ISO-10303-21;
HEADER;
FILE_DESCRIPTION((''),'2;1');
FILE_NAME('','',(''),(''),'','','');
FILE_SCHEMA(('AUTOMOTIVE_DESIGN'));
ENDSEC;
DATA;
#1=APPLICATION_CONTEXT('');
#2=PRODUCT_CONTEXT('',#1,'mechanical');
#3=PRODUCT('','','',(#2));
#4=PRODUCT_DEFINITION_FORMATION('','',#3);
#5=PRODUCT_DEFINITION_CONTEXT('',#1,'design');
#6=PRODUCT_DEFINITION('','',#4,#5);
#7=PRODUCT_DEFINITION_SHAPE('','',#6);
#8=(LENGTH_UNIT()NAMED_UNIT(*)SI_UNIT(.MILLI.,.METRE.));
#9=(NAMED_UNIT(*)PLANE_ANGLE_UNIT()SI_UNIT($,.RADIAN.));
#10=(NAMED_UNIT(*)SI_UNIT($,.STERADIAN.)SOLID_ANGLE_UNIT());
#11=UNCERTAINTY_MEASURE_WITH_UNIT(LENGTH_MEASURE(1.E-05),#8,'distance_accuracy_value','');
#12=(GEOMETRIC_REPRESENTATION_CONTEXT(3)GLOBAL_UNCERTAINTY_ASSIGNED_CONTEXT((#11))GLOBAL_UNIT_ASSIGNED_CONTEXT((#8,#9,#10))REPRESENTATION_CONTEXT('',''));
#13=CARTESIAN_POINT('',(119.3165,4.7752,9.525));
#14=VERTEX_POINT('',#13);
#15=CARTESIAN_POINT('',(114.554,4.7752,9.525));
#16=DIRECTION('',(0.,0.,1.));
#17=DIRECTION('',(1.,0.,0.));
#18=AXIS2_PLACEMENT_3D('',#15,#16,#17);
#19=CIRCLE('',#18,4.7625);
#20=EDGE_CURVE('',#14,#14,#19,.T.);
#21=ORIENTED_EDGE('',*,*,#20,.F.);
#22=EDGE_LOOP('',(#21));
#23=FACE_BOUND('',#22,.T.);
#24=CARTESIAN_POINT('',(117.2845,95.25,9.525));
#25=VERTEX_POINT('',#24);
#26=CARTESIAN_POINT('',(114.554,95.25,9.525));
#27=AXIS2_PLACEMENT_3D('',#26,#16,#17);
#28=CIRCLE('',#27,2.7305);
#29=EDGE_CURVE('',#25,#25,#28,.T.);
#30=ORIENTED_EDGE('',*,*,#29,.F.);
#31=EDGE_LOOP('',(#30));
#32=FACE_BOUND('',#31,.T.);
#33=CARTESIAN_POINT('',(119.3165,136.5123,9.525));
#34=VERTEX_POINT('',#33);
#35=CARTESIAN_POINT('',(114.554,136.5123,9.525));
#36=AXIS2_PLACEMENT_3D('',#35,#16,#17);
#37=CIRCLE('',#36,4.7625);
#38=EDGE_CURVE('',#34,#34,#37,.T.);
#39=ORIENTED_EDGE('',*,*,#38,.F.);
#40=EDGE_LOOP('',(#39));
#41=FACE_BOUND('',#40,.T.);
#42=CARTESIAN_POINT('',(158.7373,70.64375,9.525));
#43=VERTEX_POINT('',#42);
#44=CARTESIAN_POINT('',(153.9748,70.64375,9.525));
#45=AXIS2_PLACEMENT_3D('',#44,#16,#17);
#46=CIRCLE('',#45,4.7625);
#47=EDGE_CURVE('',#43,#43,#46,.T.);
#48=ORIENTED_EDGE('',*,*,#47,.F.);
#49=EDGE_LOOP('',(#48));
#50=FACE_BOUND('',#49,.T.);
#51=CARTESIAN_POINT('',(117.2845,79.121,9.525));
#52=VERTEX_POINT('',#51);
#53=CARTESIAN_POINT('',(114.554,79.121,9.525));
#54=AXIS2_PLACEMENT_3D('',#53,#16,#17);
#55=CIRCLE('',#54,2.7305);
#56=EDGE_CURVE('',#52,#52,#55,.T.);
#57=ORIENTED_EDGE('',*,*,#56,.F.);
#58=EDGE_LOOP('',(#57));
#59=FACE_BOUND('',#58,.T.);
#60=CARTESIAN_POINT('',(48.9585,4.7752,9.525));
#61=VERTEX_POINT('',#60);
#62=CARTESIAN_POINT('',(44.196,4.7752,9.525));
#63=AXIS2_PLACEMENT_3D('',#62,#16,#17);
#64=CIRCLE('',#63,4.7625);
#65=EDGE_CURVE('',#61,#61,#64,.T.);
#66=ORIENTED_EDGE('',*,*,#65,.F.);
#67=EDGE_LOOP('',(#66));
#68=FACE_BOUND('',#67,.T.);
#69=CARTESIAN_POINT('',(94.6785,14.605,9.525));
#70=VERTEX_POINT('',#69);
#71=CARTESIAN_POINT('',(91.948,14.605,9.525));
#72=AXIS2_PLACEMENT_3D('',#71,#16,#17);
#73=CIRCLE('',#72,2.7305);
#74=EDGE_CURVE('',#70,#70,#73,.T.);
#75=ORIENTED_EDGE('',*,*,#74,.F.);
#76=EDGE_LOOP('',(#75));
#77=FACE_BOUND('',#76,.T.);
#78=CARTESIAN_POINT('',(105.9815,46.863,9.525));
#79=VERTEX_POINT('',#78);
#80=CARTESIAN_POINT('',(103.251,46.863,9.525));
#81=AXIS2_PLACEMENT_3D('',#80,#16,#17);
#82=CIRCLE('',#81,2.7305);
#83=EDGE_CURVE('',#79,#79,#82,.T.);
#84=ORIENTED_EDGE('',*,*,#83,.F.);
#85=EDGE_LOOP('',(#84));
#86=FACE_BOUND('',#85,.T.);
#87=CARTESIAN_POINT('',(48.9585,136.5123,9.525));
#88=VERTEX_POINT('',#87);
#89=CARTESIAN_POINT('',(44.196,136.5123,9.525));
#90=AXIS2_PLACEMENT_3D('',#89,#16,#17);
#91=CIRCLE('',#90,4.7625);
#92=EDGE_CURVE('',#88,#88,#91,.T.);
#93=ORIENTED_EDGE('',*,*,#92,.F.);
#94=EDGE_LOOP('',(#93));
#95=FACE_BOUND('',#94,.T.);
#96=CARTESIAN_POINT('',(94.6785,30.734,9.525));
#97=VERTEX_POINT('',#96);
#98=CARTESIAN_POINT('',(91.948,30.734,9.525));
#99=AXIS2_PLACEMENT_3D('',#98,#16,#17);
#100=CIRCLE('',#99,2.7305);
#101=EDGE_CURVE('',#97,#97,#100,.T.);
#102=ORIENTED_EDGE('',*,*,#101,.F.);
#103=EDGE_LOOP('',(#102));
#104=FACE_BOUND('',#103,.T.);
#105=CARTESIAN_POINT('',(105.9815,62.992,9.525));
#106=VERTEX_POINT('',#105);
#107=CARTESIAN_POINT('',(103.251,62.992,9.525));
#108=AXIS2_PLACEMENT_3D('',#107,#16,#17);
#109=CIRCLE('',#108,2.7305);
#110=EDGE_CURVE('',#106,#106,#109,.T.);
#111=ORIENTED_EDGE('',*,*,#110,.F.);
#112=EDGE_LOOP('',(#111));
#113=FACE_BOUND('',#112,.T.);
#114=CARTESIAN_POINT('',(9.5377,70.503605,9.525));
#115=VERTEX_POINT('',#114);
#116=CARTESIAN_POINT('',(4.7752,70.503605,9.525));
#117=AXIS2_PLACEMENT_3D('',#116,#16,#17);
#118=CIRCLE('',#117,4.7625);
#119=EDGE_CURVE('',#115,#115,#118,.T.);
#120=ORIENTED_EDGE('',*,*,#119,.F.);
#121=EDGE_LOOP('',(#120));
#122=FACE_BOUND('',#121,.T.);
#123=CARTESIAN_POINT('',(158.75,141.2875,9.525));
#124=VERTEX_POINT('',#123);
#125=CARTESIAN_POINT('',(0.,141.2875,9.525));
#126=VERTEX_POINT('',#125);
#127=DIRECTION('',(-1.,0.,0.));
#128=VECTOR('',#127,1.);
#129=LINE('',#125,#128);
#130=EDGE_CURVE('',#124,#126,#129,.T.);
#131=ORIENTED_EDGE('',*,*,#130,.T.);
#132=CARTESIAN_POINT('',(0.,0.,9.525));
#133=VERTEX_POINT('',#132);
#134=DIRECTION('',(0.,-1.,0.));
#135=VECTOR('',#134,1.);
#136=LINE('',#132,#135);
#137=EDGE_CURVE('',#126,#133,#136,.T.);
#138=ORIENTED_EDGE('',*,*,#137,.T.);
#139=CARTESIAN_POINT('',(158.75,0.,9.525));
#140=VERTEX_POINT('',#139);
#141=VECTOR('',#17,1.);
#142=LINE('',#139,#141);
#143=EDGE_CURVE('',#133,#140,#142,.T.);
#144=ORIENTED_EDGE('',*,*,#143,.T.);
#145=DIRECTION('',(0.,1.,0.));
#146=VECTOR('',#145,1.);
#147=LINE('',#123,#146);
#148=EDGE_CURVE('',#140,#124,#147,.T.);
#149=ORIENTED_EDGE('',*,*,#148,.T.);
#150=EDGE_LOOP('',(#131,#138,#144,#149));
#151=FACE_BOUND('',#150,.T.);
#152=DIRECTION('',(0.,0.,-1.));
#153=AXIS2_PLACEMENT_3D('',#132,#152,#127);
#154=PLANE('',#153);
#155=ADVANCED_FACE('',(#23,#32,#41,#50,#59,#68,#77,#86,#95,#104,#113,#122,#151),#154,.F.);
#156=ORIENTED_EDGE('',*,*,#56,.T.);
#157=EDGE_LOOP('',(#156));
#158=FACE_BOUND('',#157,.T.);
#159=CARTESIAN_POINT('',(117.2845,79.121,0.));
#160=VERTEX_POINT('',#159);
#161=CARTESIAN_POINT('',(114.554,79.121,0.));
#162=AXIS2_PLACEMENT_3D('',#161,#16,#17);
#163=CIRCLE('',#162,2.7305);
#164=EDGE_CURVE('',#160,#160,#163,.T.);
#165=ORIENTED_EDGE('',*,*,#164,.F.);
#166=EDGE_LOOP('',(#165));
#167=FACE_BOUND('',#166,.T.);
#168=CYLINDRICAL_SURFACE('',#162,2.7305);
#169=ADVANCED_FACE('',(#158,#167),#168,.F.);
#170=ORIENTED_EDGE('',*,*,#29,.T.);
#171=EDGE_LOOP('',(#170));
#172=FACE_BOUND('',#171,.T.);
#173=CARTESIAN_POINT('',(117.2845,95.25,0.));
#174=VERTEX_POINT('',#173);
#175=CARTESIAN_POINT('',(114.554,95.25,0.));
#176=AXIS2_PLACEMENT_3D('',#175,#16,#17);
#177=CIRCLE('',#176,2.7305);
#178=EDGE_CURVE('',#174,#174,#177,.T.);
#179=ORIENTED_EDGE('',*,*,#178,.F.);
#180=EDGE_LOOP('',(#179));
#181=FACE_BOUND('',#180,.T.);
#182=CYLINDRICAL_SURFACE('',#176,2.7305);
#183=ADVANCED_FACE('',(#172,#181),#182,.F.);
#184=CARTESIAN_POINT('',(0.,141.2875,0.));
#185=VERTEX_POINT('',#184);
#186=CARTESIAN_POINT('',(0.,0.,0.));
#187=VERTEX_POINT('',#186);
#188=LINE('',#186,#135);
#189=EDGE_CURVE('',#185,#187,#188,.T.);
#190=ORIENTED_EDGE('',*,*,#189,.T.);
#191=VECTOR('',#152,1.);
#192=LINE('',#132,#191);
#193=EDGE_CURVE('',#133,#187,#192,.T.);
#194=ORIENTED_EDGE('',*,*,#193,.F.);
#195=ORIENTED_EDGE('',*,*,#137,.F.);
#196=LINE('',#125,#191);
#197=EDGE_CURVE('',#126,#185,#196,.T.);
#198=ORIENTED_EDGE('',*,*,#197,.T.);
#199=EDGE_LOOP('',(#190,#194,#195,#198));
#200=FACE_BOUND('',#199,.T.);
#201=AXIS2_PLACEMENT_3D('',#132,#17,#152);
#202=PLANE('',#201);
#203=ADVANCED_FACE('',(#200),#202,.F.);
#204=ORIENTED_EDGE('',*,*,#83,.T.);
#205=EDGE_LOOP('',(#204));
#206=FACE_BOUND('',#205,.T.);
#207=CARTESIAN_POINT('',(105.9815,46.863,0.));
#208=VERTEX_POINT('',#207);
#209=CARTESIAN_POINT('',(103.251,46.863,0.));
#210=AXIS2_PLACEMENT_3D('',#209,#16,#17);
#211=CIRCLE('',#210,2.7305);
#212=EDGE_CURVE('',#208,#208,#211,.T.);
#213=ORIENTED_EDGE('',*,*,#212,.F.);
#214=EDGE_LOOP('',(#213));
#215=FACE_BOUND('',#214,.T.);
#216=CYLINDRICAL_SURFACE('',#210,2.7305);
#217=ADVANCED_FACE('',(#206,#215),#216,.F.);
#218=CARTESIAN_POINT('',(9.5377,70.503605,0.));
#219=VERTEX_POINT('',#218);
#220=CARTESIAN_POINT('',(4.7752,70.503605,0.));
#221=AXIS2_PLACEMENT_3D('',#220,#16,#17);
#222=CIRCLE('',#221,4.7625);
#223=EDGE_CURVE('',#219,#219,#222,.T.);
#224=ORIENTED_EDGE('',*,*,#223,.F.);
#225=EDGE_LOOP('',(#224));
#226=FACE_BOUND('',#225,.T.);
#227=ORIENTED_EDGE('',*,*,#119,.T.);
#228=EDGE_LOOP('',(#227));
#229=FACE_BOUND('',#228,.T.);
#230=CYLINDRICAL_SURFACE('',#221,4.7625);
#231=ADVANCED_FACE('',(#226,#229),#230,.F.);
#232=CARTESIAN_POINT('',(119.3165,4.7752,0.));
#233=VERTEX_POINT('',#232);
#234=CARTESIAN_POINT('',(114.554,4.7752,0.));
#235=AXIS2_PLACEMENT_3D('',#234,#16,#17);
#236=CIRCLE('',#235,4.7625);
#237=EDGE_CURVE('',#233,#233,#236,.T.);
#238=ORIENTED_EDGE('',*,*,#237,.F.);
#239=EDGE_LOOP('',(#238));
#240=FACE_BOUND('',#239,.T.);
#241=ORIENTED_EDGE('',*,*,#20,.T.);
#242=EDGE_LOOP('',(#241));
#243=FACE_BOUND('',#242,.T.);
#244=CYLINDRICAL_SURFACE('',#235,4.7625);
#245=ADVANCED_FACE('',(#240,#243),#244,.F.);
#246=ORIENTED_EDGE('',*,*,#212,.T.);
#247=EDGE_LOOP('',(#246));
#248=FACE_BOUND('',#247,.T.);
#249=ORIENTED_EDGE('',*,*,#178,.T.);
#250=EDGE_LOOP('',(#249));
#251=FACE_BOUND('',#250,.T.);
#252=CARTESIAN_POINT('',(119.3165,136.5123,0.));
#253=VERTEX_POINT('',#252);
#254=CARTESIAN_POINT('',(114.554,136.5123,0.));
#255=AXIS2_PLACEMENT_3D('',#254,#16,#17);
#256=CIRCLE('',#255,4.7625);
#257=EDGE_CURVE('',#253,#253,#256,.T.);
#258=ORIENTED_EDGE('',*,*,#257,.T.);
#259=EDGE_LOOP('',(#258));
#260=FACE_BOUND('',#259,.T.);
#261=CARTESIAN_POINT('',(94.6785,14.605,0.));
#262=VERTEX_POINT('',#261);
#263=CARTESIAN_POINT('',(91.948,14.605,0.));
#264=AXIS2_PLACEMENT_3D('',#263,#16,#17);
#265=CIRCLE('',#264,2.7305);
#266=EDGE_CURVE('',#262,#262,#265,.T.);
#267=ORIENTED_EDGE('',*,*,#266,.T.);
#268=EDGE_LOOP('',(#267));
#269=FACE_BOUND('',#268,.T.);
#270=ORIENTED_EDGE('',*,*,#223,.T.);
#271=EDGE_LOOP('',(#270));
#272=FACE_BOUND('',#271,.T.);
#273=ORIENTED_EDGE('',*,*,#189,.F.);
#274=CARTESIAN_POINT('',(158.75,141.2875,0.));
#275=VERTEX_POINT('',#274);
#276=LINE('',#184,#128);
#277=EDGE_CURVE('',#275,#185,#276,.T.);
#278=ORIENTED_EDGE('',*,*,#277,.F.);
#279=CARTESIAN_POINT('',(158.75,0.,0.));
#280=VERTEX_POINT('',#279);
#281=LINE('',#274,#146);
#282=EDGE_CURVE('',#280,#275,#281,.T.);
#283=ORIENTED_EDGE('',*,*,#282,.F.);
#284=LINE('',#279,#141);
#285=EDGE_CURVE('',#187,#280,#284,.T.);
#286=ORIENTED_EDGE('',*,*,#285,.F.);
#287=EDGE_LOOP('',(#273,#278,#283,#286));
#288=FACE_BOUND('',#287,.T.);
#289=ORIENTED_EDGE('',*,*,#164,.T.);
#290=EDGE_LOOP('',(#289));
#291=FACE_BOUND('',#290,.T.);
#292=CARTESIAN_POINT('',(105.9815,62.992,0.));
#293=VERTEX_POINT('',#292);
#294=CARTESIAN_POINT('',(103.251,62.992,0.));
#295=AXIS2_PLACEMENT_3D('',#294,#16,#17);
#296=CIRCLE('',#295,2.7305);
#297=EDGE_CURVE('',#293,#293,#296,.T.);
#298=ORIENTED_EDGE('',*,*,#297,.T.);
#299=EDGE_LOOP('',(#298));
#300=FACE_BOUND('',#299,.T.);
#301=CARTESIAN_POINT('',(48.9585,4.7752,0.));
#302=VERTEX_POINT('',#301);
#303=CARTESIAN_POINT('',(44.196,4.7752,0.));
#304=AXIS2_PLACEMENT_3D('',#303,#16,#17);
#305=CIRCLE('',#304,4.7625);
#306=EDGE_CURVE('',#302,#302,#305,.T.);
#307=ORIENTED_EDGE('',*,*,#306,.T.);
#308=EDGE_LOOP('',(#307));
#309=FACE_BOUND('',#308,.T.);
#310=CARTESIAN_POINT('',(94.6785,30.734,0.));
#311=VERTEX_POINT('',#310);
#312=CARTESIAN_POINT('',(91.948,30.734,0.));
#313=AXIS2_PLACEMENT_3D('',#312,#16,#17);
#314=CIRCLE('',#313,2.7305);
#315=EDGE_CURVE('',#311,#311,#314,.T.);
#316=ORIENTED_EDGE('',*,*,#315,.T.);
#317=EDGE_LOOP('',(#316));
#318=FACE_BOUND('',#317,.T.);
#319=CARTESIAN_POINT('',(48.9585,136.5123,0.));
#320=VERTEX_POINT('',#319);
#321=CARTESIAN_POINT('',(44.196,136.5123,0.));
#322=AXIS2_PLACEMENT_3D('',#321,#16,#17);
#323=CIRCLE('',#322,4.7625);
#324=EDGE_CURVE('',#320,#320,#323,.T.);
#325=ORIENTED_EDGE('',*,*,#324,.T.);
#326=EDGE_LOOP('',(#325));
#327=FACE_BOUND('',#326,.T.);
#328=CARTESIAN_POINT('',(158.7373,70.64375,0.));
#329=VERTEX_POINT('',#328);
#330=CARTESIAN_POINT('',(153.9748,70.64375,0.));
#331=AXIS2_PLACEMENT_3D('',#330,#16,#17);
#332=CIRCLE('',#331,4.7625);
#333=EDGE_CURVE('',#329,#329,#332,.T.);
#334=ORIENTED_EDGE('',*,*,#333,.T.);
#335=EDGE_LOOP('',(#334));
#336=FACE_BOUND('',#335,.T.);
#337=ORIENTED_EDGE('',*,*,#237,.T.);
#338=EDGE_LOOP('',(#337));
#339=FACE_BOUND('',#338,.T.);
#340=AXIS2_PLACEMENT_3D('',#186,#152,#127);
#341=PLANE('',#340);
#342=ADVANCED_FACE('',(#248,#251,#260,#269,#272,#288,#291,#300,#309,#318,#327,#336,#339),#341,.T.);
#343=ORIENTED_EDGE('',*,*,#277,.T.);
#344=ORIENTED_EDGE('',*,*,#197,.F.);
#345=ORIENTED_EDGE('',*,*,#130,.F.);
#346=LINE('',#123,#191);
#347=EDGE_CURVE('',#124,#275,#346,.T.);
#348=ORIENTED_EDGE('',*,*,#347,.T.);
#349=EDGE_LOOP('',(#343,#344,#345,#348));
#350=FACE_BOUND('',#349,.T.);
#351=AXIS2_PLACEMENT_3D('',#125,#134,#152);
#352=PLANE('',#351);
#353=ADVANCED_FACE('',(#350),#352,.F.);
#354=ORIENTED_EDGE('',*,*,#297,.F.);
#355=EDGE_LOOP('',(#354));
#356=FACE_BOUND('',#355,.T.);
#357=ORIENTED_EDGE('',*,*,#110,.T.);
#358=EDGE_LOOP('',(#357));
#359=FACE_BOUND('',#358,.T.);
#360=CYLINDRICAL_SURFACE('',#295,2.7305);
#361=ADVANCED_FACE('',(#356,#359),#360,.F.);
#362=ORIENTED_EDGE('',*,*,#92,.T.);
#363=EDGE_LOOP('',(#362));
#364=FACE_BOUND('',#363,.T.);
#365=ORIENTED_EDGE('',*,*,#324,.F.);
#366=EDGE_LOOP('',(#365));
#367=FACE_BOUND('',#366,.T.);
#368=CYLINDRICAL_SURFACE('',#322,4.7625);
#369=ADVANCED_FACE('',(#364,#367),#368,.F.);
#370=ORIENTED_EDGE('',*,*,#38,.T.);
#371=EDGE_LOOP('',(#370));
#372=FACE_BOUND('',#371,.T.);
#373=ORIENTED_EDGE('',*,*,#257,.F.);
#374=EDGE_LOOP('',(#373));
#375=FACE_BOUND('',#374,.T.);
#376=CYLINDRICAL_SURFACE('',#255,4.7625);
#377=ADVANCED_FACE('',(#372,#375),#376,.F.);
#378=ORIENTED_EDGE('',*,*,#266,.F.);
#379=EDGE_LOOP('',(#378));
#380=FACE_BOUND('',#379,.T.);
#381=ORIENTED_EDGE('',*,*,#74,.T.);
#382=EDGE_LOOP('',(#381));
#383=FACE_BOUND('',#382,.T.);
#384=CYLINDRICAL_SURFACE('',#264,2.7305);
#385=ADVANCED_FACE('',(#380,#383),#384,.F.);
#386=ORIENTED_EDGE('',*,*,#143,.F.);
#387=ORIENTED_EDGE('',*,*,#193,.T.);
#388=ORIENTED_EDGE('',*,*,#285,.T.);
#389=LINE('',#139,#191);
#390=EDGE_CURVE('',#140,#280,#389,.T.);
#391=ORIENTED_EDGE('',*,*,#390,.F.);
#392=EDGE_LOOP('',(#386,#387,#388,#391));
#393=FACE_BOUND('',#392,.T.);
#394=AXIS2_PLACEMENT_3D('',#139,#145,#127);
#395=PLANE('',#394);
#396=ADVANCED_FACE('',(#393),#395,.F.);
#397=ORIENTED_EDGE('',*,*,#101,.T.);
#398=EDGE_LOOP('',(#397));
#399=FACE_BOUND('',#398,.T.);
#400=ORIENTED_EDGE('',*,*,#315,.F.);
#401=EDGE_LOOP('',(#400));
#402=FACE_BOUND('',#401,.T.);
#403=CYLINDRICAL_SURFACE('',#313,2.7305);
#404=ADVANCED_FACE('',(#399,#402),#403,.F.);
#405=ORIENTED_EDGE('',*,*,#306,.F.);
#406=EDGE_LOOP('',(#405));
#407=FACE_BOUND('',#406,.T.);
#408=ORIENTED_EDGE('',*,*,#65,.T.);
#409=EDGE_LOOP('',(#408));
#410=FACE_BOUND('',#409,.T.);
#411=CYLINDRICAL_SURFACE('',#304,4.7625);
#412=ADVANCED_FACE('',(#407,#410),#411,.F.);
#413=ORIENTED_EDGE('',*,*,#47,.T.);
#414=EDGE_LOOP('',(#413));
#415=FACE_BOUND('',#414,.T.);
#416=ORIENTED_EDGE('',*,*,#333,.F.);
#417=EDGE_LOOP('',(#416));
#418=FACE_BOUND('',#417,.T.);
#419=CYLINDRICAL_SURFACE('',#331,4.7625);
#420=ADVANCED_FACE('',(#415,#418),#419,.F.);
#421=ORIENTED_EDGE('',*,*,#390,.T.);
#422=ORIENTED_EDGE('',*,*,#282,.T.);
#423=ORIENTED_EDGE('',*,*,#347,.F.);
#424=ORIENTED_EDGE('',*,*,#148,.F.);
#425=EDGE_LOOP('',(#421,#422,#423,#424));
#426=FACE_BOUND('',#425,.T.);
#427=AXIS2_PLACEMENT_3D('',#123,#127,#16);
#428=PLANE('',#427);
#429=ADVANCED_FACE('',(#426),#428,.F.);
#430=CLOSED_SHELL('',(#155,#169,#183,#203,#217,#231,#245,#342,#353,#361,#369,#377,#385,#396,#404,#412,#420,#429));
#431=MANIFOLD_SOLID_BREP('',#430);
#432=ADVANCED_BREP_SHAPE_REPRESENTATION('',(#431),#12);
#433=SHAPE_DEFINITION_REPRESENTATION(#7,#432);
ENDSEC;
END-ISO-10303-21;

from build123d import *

# Parameters (mm, degrees)
SKETCH1_W           = 158.75
SKETCH1_H           = 141.2875
BOSS_EXTRUDE1_DEPTH = 9.525
SKETCH2_R           = 4.7625
SKETCH2_R_2         = 2.7305
CUT_EXTRUDE7_DEPTH  = 9.525


with BuildPart() as part:
    # Sketch1 → Boss-Extrude1 (new body)
    with BuildSketch(Plane.XY):
        with Locations((79.375, 70.64375)):
            Rectangle(SKETCH1_W, SKETCH1_H)
    extrude(amount=BOSS_EXTRUDE1_DEPTH)

    # Sketch2 → Cut-Extrude7 (cut)
    with BuildSketch(Plane.XY.offset(9.525)):
        with Locations((4.7752, 70.503604532)):
            Circle(SKETCH2_R)
        with Locations((153.9748, 70.64375)):
            Circle(SKETCH2_R)
        with Locations((44.196, 136.5123)):
            Circle(SKETCH2_R)
        with Locations((114.554, 136.5123)):
            Circle(SKETCH2_R)
        with Locations((44.196, 4.7752)):
            Circle(SKETCH2_R)
        with Locations((114.554, 4.7752)):
            Circle(SKETCH2_R)
        with Locations((91.948, 14.605)):
            Circle(SKETCH2_R_2)
        with Locations((91.948, 30.734)):
            Circle(SKETCH2_R_2)
        with Locations((103.251, 46.863)):
            Circle(SKETCH2_R_2)
        with Locations((103.251, 62.992)):
            Circle(SKETCH2_R_2)
        with Locations((114.554, 79.121)):
            Circle(SKETCH2_R_2)
        with Locations((114.554, 95.25)):
            Circle(SKETCH2_R_2)
    extrude(amount=-CUT_EXTRUDE7_DEPTH, mode=Mode.SUBTRACT)


solid = part.part
